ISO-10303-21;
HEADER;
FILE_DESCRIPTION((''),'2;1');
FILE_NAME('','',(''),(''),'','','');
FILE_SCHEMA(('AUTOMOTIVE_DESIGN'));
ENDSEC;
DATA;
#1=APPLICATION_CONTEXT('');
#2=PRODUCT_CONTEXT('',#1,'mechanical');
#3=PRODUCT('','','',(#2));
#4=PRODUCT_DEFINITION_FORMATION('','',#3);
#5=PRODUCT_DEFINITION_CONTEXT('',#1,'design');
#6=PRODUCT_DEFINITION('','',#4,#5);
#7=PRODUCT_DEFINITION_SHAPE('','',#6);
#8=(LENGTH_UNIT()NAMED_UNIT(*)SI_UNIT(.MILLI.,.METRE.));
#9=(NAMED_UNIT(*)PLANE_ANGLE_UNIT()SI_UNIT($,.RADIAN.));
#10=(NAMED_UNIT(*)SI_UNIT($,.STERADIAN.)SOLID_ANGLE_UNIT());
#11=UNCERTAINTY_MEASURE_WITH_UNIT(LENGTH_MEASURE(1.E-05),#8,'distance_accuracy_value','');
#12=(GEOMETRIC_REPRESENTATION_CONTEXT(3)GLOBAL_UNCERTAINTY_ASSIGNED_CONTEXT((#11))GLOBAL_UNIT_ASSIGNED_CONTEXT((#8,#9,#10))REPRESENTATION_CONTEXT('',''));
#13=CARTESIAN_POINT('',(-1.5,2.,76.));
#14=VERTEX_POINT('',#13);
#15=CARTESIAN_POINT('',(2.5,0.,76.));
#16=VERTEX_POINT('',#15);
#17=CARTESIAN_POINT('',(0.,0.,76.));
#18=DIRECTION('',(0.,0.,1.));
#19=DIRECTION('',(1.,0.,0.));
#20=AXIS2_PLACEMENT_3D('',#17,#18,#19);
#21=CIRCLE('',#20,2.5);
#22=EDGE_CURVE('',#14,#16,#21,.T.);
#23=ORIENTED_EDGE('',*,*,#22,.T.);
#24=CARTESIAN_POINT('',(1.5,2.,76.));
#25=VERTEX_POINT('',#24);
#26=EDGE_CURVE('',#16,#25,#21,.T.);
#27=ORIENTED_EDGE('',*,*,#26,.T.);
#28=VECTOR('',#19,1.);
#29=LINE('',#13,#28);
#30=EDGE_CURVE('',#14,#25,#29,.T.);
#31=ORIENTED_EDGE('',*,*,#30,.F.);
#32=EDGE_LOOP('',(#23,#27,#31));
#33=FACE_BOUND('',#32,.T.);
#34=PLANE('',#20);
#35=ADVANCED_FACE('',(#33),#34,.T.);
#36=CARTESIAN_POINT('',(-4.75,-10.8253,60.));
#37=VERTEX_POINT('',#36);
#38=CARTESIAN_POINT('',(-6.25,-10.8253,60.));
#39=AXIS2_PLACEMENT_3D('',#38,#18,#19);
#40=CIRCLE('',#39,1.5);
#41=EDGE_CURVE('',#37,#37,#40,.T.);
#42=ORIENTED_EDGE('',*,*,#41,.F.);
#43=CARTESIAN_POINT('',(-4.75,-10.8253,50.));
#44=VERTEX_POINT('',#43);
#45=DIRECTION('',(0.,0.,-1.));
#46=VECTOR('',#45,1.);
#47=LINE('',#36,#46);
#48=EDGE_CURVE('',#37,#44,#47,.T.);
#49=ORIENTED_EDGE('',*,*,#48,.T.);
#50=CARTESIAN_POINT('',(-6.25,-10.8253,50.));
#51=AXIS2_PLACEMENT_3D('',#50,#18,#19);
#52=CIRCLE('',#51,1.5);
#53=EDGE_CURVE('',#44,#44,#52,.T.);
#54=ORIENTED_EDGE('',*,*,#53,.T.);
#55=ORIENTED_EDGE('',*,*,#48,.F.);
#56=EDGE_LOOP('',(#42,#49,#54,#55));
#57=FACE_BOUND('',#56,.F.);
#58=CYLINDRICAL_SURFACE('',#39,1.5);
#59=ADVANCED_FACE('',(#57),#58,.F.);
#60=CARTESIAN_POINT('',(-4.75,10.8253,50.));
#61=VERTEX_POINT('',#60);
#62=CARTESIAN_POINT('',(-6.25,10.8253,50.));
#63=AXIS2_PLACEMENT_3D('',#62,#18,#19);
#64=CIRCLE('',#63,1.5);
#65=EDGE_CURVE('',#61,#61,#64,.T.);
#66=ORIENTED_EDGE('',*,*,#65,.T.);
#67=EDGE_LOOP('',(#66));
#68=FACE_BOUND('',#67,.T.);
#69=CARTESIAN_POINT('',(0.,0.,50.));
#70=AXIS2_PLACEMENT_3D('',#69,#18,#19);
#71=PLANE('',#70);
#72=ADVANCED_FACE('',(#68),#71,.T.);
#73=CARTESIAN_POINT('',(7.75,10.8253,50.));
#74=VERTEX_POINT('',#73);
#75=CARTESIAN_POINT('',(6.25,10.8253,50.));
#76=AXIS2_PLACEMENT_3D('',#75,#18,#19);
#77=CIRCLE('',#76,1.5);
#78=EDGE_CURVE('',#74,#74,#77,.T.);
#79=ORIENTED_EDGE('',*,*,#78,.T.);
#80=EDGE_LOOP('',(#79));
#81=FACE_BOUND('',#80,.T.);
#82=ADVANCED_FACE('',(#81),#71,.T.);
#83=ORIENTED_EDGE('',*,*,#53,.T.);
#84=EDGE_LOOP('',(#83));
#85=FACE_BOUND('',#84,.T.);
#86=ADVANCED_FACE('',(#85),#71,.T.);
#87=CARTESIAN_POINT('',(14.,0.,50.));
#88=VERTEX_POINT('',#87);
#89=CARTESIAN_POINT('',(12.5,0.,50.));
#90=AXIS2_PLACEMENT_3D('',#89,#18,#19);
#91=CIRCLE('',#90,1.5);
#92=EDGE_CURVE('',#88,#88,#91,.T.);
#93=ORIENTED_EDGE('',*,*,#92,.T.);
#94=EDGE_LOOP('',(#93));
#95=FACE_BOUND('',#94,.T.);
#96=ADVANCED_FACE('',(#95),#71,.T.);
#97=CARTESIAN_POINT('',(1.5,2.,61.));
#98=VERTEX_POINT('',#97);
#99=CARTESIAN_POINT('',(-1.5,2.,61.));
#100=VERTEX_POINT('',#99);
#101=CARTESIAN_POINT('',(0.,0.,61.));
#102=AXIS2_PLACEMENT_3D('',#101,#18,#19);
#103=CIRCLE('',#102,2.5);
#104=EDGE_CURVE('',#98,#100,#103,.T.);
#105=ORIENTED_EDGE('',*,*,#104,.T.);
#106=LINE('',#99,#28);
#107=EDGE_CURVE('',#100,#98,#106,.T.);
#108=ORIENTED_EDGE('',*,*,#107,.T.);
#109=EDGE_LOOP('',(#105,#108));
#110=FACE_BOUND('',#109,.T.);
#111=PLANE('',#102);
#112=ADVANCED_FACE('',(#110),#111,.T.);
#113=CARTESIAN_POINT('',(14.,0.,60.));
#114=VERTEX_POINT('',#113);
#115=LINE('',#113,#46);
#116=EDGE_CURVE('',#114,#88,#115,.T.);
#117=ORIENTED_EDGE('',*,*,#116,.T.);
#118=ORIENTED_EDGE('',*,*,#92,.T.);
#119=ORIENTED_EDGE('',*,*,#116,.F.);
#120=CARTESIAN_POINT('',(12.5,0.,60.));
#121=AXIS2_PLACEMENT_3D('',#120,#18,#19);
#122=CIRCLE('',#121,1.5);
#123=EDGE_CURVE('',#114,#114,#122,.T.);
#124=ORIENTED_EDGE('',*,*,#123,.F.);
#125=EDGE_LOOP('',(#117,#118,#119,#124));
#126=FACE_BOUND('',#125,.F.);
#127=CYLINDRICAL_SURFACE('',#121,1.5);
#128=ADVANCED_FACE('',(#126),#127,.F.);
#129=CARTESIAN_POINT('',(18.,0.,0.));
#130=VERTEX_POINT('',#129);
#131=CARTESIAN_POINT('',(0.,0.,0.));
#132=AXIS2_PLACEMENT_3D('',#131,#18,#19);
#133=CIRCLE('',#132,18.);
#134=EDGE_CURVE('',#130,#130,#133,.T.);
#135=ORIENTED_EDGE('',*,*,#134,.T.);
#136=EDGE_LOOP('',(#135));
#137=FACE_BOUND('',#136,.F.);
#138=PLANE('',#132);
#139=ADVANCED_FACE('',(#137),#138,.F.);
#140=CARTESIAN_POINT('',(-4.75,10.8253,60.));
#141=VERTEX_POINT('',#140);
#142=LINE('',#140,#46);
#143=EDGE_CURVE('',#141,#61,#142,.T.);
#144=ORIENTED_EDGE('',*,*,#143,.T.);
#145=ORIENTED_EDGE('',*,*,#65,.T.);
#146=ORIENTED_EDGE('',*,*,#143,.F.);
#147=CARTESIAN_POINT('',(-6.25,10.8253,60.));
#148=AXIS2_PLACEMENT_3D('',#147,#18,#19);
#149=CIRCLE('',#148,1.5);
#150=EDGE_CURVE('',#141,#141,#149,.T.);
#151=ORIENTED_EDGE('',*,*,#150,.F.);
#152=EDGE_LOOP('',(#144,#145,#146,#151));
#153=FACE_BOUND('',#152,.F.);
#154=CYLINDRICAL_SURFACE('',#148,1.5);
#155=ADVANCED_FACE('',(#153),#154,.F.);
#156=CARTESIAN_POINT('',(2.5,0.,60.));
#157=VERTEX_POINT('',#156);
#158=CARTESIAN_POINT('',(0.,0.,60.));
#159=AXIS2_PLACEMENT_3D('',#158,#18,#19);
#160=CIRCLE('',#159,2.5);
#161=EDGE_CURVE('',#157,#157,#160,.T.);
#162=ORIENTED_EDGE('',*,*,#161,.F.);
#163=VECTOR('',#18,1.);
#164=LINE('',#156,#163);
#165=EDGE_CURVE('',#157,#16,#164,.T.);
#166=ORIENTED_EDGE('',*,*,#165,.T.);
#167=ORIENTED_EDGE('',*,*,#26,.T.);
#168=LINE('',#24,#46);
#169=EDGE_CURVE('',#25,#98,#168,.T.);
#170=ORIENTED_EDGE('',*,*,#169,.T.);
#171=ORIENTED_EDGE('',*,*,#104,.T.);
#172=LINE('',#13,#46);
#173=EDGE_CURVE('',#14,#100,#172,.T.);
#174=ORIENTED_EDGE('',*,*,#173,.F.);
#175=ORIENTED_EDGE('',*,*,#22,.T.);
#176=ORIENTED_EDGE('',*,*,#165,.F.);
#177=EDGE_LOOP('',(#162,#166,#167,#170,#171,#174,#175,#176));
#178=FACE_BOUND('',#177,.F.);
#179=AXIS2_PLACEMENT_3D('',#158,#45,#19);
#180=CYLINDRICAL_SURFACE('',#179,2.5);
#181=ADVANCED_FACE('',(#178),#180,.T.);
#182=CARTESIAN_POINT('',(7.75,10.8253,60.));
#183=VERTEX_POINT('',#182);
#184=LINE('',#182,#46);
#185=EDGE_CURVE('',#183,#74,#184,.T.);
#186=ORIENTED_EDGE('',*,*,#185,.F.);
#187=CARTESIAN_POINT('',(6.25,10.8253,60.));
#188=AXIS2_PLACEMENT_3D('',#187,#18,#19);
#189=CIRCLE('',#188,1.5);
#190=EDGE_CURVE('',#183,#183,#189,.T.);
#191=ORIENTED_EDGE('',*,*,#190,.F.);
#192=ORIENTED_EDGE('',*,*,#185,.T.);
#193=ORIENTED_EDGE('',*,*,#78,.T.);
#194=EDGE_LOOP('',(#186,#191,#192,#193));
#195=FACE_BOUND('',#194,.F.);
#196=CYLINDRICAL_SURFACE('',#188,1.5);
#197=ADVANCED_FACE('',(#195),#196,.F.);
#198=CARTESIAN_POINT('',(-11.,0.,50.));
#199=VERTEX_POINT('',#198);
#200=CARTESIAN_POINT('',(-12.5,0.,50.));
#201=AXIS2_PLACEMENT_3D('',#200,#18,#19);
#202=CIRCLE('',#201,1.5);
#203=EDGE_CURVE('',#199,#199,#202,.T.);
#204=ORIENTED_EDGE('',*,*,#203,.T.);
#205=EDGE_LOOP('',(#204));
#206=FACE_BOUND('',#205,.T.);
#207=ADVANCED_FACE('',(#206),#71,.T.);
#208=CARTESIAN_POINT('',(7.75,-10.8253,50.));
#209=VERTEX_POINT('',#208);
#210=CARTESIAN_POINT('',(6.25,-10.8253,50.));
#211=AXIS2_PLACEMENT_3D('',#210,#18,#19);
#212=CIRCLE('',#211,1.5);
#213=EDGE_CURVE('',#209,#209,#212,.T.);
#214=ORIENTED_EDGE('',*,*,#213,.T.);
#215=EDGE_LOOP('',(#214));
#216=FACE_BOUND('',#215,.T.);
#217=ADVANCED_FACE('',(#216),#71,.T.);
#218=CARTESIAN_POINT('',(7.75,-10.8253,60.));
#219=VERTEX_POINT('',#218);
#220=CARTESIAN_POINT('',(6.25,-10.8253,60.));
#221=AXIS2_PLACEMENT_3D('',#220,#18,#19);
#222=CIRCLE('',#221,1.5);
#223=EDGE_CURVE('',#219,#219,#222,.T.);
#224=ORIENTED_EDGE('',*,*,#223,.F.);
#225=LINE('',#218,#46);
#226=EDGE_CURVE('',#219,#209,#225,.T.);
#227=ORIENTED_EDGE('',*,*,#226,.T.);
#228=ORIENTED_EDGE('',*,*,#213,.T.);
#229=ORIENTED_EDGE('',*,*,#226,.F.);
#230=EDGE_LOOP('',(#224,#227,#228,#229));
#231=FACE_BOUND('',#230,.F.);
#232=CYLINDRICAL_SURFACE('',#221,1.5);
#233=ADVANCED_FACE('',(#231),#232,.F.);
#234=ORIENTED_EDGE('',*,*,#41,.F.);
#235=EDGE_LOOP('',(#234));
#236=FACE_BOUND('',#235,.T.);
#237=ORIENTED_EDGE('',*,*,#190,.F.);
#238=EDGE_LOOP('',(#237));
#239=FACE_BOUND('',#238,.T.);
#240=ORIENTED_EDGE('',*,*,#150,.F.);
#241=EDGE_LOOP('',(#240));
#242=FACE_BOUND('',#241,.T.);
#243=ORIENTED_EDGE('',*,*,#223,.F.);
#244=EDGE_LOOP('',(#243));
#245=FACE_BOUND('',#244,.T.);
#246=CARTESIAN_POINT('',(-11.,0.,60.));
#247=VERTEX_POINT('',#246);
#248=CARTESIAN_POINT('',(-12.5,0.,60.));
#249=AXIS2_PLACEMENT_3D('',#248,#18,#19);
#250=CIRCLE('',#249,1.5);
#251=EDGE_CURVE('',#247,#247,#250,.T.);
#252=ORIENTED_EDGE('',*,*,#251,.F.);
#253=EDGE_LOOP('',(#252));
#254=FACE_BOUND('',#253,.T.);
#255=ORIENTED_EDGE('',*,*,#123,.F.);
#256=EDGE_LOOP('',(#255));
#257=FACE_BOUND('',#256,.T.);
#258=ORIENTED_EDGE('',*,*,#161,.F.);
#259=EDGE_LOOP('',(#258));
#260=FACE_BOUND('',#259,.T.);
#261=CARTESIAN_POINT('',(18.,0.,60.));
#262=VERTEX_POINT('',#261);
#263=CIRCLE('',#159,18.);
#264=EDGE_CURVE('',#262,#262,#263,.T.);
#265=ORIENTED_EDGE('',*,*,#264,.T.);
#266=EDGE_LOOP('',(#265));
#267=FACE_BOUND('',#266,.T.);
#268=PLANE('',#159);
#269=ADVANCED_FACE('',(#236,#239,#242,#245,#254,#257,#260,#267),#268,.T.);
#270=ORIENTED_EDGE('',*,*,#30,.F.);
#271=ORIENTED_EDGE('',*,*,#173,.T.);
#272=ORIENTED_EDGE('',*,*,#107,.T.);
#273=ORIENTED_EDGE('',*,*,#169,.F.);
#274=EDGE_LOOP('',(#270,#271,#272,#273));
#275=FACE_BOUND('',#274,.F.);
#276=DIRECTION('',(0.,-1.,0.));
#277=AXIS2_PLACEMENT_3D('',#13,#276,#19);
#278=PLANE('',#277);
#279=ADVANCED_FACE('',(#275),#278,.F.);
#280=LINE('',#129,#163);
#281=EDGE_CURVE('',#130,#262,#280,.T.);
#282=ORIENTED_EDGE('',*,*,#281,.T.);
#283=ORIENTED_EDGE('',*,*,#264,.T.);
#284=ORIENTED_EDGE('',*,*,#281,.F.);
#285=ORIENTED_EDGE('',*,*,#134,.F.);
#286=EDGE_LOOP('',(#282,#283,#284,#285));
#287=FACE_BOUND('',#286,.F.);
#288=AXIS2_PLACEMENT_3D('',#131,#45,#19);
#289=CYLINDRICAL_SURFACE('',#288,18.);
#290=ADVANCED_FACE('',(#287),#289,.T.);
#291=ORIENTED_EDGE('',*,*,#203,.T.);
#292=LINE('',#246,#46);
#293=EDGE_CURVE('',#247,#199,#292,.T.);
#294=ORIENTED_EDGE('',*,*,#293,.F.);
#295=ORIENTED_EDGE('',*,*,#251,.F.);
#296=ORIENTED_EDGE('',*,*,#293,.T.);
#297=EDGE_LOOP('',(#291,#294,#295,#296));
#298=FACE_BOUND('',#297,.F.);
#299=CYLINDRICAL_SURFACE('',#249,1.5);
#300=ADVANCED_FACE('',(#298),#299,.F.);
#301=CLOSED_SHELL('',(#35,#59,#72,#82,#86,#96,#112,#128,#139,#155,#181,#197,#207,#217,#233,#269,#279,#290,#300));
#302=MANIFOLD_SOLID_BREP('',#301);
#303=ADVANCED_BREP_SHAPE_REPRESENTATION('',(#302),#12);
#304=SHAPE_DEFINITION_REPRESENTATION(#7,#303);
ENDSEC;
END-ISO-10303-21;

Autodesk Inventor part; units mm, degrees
ref_plane "YZ Plane" through (0, 0, 0) normal (1, 0, 0) x (0, 1, 0)
ref_plane "XZ Plane" through (0, 0, 0) normal (0, 1, 0) x (-1, 0, 0)
ref_plane "XY Plane" through (0, 0, 0) normal (0, 0, 1) x (1, 0, 0)
sketch "Sketch1" plane through (0, 0, 0) normal (0, 0, 1) x (1, 0, 0)
  circle A0 centre (0, 0) radius 18
  dimension "d0" = 36
extrude "Extrusion1" add sketch "Sketch1" along normal blind 60
sketch "Sketch2" plane through (0, 0, 60) normal (0, 0, 1) x (1, 0, 0)
  circle A0 centre (0, 0) radius 2.5
  dimension "d3" = 5
extrude "Extrusion2" add sketch "Sketch2" along normal blind 16
sketch "Sketch3" plane through (0, 0, 76) normal (0, 0, 1) x (1, 0, 0)
  circle A0 centre (0, 0) radius 2.5 projected
  line L0 (-1.5, 2) -> (1.5, 2)
  dimension "d6" = 4.5
extrude "Extrusion3" cut sketch "Sketch3" against normal blind 15 contours L0 A0 picked at (-0.3466, 2.0912)
sketch "Sketch4" plane through (0, 0, 60) normal (0, 0, 1) x (1, 0, 0)
  circle A0 centre (-12.5, 0) radius 1.5
  circle A1 centre (0, 0) radius 18 projected
  circle A2 centre (-6.25, -10.8253) radius 1.5
  circle A3 centre (6.25, -10.8253) radius 1.5
  circle A4 centre (12.5, 0) radius 1.5
  circle A5 centre (6.25, 10.8253) radius 1.5
  circle A6 centre (-6.25, 10.8253) radius 1.5
  dimension "d9" = 3
  dimension "d10" = 12.5
  dimension "d13" = 360
extrude "Extrusion4" cut sketch "Sketch4" against normal blind 10 contours A0 | A2 | A3 | A4 | A5 | A6
properties part number "silnik 3660"
